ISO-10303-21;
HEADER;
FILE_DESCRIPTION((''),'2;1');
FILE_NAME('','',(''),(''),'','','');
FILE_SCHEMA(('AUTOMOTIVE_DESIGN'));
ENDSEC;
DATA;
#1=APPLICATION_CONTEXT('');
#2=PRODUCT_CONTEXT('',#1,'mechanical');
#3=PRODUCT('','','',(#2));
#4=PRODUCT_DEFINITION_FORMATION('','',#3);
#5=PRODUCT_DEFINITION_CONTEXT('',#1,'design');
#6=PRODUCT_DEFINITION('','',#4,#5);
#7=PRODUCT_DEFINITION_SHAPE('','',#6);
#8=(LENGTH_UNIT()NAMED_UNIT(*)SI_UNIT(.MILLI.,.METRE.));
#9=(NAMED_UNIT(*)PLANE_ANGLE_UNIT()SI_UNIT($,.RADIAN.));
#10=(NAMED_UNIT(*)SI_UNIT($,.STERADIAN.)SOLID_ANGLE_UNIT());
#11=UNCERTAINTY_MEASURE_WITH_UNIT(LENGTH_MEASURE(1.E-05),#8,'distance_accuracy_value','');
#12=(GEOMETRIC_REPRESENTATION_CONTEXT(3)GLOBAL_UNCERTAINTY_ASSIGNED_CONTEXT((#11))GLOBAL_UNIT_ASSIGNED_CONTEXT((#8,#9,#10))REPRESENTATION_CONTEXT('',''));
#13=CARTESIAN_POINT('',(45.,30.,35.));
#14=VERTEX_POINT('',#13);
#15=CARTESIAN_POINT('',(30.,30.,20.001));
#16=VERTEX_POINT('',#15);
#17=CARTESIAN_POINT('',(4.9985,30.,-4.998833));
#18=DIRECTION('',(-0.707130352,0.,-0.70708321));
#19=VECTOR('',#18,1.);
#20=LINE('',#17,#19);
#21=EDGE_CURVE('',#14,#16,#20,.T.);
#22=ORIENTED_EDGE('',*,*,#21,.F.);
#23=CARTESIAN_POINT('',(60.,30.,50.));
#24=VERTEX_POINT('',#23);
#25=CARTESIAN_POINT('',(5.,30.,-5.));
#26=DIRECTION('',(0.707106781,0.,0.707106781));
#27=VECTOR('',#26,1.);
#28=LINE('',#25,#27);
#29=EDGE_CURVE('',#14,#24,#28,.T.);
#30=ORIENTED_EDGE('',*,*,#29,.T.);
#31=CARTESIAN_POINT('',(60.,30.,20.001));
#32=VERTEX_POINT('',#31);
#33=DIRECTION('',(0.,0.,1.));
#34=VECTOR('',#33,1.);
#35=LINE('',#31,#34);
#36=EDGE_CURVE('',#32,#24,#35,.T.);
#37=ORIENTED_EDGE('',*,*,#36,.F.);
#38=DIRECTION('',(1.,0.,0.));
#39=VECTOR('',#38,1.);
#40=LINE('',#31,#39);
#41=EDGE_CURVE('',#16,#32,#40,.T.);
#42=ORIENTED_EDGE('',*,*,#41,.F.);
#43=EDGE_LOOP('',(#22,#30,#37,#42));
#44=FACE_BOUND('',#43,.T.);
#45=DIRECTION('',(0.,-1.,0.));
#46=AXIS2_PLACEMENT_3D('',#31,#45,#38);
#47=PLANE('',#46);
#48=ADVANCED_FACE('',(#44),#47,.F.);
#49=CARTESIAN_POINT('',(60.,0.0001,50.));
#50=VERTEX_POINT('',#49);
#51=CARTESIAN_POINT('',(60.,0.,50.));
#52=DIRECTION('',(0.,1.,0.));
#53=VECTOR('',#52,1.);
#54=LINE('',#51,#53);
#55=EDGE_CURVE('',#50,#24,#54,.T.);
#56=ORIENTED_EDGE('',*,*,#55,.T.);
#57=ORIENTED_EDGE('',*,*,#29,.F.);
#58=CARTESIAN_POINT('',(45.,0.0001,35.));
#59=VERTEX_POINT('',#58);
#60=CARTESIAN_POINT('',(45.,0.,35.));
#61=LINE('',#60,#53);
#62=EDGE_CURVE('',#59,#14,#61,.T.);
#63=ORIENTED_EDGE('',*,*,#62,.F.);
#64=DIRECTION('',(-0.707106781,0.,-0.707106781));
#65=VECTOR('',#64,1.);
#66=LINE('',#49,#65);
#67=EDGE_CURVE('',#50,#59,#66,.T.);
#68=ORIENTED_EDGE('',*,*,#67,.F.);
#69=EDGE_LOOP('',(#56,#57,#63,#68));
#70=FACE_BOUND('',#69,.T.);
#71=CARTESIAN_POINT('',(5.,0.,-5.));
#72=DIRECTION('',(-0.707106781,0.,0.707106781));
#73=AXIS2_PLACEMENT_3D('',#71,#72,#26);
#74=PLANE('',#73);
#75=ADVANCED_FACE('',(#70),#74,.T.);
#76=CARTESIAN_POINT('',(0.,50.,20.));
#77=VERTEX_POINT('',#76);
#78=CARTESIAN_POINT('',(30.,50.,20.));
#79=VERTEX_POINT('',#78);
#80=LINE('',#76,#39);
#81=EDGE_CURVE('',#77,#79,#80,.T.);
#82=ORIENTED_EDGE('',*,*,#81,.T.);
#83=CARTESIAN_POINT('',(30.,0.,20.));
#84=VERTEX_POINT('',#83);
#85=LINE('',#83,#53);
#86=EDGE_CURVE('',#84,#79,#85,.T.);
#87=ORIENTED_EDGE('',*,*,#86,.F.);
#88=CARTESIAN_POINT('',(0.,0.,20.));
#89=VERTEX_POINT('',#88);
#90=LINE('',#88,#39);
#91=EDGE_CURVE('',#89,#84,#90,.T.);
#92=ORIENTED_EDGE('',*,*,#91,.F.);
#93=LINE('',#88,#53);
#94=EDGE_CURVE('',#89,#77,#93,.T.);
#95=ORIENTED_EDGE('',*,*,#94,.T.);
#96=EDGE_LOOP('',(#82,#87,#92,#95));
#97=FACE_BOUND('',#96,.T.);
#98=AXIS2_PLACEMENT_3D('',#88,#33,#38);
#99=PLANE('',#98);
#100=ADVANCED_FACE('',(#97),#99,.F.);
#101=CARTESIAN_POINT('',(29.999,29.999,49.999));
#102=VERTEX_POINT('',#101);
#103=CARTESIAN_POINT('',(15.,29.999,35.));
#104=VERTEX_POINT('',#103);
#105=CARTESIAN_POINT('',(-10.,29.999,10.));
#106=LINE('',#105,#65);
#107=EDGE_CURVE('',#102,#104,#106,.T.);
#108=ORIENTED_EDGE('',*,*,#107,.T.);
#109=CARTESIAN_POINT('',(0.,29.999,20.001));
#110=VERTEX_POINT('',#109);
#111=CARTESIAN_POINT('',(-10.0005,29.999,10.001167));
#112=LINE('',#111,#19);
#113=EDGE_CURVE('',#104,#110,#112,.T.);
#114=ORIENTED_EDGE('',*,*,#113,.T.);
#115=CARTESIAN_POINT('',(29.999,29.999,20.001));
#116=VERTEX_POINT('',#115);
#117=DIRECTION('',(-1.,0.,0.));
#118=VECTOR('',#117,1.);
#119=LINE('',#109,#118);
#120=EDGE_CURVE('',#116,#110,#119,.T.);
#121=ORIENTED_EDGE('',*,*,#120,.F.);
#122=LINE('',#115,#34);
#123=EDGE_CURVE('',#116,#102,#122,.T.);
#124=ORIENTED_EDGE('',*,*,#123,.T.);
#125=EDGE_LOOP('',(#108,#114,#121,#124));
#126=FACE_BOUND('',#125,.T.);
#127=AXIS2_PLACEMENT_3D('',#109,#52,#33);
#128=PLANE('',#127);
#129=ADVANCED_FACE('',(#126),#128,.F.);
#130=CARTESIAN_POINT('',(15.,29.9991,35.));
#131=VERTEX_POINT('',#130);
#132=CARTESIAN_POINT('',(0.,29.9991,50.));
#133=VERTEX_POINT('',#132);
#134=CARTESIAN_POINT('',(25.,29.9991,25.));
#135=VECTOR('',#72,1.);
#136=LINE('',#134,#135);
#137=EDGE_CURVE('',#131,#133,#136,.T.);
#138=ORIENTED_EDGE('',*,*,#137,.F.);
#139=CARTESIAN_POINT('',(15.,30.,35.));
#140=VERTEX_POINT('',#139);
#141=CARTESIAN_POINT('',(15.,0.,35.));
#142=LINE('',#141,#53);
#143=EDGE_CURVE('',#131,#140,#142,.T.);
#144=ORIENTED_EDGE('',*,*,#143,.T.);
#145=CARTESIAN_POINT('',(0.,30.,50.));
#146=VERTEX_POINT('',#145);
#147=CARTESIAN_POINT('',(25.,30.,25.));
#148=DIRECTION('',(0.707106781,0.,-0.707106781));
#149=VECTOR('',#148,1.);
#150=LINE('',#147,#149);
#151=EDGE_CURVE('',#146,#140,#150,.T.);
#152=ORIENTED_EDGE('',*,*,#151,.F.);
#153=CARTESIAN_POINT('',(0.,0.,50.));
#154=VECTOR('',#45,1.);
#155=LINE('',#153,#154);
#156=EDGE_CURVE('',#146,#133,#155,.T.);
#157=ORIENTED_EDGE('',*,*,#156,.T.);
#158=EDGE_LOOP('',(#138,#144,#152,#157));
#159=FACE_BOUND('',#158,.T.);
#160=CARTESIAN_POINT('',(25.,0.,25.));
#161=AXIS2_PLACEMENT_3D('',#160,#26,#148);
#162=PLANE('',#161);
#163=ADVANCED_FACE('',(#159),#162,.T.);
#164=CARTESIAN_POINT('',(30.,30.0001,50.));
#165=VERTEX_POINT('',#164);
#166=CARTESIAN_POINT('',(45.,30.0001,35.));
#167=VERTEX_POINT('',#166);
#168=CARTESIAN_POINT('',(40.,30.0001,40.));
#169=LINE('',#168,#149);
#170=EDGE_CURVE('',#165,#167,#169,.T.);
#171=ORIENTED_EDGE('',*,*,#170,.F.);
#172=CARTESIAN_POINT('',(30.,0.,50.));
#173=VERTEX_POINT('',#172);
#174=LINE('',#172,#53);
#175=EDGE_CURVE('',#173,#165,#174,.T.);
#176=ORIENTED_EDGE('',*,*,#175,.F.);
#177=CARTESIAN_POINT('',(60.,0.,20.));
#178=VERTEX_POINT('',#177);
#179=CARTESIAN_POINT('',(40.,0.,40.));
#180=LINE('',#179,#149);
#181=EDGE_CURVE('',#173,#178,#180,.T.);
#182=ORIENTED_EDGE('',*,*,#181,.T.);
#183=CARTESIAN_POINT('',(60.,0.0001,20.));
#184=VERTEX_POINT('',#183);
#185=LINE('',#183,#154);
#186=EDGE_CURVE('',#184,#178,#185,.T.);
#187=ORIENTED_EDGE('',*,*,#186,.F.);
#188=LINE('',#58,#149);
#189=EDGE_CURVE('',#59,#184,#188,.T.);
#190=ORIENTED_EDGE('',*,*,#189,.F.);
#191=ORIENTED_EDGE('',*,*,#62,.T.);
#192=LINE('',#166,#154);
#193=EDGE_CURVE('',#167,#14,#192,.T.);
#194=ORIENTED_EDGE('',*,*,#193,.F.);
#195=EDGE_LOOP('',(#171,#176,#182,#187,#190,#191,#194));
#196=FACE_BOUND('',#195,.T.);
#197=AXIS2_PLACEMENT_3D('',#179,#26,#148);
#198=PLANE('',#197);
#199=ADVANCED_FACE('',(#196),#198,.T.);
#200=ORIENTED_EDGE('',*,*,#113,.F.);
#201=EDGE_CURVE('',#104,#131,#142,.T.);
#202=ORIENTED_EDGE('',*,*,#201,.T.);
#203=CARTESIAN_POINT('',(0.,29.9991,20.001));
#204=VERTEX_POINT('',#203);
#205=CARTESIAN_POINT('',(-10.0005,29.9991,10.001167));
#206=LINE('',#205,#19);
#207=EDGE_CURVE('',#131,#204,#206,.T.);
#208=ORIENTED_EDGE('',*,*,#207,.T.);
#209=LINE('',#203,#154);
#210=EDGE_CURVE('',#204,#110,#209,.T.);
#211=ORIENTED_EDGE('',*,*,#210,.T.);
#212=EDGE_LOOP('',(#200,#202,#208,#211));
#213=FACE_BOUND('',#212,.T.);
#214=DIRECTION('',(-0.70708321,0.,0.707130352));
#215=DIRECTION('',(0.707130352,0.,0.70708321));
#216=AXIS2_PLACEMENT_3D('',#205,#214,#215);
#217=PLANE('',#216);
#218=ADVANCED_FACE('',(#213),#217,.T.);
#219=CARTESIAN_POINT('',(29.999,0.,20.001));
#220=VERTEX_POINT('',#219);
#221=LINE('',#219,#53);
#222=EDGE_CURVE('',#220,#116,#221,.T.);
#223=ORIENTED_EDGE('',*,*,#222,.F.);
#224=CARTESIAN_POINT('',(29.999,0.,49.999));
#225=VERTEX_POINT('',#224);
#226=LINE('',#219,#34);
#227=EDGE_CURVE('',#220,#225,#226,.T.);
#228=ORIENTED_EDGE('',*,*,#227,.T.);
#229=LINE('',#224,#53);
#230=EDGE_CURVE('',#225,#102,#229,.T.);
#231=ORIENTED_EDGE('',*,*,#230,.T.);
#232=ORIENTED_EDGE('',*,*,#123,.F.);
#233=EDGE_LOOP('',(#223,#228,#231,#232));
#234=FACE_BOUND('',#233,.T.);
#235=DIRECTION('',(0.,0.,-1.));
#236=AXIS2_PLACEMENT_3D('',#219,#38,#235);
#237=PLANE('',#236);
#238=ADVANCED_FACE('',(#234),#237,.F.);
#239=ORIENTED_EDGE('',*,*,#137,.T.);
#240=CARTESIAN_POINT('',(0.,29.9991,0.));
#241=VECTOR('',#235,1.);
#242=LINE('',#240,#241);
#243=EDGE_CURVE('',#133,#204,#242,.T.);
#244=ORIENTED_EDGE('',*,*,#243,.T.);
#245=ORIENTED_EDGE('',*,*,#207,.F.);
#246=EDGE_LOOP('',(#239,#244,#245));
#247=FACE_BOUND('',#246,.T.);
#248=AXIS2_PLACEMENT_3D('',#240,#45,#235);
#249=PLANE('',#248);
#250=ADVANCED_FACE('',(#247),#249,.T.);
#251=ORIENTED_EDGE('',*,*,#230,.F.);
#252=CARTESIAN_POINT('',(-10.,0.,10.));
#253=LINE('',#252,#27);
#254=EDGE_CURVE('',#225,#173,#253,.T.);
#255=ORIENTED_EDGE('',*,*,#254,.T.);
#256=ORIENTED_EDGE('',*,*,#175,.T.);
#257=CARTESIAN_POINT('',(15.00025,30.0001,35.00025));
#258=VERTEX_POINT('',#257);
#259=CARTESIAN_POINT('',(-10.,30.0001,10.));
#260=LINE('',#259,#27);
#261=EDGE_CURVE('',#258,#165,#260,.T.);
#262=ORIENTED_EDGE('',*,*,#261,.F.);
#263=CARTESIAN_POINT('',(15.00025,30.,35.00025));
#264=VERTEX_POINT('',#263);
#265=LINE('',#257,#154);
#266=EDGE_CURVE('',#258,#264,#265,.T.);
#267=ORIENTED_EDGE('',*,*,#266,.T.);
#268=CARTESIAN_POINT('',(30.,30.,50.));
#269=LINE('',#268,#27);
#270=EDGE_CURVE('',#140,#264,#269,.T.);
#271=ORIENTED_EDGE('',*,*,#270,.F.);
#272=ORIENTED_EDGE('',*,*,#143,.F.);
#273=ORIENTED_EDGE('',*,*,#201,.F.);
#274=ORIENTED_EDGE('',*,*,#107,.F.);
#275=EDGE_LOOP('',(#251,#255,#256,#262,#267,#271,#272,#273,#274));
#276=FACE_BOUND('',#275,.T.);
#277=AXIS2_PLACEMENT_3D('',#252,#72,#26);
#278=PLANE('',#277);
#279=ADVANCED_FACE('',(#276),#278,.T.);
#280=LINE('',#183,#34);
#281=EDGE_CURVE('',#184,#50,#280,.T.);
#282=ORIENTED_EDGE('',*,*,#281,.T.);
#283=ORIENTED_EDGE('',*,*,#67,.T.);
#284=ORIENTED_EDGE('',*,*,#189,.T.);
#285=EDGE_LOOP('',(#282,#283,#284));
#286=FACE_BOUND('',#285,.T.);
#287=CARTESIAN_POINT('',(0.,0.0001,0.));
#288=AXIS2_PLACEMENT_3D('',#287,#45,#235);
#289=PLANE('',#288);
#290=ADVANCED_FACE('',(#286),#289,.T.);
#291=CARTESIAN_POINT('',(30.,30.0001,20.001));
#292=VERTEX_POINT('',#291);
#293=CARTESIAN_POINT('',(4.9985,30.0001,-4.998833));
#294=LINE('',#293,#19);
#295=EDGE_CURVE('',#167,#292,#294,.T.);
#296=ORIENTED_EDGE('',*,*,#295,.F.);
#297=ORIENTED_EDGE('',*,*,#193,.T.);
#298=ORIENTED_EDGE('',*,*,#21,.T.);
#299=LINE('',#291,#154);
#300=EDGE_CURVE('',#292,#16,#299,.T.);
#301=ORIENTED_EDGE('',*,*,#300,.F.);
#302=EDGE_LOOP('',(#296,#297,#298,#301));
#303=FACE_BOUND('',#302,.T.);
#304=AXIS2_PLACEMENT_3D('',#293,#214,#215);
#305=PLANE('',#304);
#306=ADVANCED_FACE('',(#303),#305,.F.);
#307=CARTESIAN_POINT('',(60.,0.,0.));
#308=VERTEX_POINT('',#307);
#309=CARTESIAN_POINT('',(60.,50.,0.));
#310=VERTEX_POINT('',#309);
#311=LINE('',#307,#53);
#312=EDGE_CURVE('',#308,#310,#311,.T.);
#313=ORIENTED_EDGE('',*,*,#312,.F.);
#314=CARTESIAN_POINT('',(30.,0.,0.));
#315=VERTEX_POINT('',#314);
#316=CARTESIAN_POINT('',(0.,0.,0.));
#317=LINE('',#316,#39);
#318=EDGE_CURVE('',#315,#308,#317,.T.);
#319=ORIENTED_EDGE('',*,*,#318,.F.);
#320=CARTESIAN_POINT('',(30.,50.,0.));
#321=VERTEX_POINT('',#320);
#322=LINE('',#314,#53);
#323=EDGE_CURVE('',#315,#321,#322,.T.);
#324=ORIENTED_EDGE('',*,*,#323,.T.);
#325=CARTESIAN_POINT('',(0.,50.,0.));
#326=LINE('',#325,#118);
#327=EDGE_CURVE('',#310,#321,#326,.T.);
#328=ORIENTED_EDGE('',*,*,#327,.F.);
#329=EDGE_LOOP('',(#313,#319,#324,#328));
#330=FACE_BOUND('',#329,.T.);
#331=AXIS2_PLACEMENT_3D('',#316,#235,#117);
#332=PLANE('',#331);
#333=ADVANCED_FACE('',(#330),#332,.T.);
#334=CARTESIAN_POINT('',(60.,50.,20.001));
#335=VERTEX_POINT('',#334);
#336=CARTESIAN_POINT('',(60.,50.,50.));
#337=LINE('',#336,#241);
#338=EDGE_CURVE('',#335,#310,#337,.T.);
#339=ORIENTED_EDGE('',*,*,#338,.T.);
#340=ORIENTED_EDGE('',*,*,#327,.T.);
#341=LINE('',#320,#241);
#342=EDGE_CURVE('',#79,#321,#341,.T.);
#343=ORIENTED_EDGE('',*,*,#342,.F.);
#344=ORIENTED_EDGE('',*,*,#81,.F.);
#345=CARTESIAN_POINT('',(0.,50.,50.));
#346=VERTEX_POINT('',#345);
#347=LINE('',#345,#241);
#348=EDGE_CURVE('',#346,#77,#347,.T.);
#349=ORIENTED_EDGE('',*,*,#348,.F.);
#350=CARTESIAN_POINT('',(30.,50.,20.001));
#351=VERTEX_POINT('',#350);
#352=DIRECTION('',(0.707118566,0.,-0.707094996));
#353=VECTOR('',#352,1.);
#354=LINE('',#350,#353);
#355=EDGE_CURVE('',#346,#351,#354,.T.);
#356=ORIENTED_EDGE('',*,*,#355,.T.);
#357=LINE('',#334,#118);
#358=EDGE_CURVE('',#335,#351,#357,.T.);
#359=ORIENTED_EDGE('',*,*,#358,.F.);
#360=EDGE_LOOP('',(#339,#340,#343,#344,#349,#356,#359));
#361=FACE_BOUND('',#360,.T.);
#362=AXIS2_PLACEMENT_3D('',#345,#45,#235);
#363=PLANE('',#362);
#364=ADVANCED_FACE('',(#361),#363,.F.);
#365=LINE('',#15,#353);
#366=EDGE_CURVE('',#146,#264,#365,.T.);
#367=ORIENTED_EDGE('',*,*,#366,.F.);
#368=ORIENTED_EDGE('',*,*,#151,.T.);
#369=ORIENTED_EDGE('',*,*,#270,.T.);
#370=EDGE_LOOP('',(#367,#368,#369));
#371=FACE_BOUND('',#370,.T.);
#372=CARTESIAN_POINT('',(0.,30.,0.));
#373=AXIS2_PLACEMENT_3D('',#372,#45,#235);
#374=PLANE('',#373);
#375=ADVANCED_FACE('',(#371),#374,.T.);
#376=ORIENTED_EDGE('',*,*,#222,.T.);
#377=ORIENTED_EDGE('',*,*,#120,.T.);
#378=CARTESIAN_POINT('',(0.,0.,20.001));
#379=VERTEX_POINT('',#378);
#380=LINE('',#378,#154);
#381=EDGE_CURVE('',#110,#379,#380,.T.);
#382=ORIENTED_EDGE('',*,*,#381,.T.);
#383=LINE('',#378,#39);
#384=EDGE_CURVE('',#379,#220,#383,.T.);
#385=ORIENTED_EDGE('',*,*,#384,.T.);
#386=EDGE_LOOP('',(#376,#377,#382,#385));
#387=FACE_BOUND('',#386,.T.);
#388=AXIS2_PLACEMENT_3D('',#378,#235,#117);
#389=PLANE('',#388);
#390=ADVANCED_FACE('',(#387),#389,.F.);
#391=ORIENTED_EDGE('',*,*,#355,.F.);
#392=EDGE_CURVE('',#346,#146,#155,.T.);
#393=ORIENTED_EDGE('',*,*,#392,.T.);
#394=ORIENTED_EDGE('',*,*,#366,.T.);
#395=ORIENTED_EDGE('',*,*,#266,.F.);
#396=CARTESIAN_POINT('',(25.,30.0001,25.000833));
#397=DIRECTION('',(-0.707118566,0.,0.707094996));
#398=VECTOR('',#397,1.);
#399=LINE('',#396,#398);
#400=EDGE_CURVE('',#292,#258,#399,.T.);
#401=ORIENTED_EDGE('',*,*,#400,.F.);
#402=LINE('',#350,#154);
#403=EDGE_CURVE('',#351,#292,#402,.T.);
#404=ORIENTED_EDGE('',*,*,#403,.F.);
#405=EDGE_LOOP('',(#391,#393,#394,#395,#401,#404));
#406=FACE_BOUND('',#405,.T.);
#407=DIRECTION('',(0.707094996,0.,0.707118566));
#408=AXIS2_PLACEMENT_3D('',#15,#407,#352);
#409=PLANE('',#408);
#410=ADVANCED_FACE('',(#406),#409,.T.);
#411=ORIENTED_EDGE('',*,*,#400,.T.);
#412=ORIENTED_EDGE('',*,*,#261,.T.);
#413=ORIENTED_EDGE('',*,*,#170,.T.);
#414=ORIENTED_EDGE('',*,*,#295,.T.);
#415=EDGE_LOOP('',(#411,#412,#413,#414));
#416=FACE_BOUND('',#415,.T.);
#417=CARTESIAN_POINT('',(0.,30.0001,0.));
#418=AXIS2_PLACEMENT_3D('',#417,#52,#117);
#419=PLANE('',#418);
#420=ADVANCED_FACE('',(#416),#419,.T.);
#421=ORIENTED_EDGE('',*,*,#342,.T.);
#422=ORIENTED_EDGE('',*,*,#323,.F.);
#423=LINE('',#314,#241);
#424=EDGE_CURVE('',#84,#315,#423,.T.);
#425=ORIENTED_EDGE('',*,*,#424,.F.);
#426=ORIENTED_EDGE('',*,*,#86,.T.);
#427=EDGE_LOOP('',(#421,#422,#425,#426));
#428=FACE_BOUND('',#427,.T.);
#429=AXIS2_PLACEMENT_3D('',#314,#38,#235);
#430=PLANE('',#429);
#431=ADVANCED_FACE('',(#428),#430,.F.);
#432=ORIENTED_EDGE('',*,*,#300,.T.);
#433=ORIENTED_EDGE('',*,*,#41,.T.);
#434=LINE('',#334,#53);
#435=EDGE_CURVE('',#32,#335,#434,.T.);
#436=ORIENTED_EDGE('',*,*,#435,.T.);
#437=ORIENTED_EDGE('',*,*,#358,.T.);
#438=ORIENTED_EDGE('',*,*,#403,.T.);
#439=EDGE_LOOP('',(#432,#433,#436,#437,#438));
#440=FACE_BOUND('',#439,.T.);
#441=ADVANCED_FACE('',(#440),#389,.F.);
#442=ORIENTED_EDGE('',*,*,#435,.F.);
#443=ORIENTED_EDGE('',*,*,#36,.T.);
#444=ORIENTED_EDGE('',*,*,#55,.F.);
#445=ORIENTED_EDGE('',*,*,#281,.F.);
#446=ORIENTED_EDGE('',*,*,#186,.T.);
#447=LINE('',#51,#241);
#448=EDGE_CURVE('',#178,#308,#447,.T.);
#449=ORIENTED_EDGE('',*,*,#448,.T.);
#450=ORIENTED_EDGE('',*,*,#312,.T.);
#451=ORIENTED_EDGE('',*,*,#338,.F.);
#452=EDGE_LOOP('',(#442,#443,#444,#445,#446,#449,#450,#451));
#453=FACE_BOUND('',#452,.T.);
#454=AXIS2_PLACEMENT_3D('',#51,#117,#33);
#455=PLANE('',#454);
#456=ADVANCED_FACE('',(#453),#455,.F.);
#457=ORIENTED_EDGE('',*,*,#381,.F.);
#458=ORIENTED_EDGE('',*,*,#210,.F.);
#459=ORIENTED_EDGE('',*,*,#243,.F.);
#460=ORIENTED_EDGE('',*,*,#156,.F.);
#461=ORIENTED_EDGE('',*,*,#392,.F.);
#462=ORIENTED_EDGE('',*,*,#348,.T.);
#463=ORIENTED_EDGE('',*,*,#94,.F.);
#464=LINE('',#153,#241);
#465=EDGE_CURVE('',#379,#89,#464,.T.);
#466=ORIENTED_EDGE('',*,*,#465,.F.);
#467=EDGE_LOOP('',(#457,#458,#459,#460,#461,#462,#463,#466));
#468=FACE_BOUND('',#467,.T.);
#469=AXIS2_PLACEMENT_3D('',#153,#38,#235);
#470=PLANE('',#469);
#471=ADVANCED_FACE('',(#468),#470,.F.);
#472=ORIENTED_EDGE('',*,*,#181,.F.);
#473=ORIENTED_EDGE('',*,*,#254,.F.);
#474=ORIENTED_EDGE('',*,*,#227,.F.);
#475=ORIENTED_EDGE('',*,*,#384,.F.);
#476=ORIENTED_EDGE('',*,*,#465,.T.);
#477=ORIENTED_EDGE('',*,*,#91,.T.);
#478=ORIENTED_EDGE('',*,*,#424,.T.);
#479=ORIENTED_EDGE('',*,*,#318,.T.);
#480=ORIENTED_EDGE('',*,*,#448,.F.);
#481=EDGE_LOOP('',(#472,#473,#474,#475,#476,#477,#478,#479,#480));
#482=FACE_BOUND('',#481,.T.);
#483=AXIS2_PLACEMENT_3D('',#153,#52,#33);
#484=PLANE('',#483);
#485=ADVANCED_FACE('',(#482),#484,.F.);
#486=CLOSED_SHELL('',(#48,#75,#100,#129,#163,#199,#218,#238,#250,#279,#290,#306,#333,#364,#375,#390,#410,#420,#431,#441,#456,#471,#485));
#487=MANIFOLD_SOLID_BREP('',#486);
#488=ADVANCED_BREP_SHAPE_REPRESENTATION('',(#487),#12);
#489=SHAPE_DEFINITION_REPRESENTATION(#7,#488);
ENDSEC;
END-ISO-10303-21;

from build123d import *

# Parameters (mm, degrees)
SKETCH1_W            = 60
SKETCH1_H            = 50
BOSS_EXTRUDE1_DEPTH  = 50
SKETCH2_W            = 30
SKETCH2_H            = 20
CUT_EXTRUDE1_DEPTH   = 50
CUT_EXTRUDE2_DEPTH   = 50
SKETCH5_W            = 30
SKETCH5_H            = 20
CUT_EXTRUDE6_DEPTH   = 29.999
SKETCH7_W            = 29.999
SKETCH7_H            = 29.999
CUT_EXTRUDE10_DEPTH  = 29.999
CUT_EXTRUDE11_DEPTH  = 20
BOSS_EXTRUDE5_DEPTH  = 20
CUT_EXTRUDE17_DEPTH  = 0.0001
CUT_EXTRUDE18_DEPTH  = 0.0001
BOSS_EXTRUDE16_DEPTH = 0.0001


with BuildPart() as part:
    # Sketch1 → Boss-Extrude1 (new body)
    with BuildSketch(Plane.XY):
        with Locations((30, 25)):
            Rectangle(SKETCH1_W, SKETCH1_H)
    extrude(amount=BOSS_EXTRUDE1_DEPTH)

    # Sketch2 → Cut-Extrude1 (cut)
    with BuildSketch(Plane(origin=(0, 50, 0), x_dir=(1, 0, 0), z_dir=(0, 1, 0))):
        with Locations((15, -10)):
            Rectangle(SKETCH2_W, SKETCH2_H)
    extrude(amount=-CUT_EXTRUDE1_DEPTH, mode=Mode.SUBTRACT)

    # Sketch3 → Cut-Extrude2 (cut)
    with BuildSketch(Plane(origin=(0, 50, 0), x_dir=(1, 0, 0), z_dir=(0, 1, 0))):
        Polygon((15, -35), (0, -50), (30, -50), align=None)
        Polygon((45, -35), (30, -50), (60, -50), align=None)
    extrude(amount=-CUT_EXTRUDE2_DEPTH, mode=Mode.SUBTRACT)

    # Sketch5 → Cut-Extrude6 (cut)
    with BuildSketch(Plane.XY.offset(50)):
        with Locations((45, 40)):
            Rectangle(SKETCH5_W, SKETCH5_H)
    extrude(amount=-CUT_EXTRUDE6_DEPTH, mode=Mode.SUBTRACT)

    # Sketch7 → Cut-Extrude10 (cut)
    with BuildSketch(Plane.XY.offset(50)):
        with Locations((14.9995, 14.9995)):
            Rectangle(SKETCH7_W, SKETCH7_H)
    extrude(amount=-CUT_EXTRUDE10_DEPTH, mode=Mode.SUBTRACT)

    # Sketch8 → Cut-Extrude11 (cut)
    with BuildSketch(Plane(origin=(0, 50, 0), x_dir=(1, 0, 0), z_dir=(0, 1, 0))):
        Polygon((15, -35), (30, -20.001), (44.999, -35.001), (30, -50), align=None)
    extrude(amount=-CUT_EXTRUDE11_DEPTH, mode=Mode.SUBTRACT)

    # Sketch11 → Boss-Extrude5 (add)
    with BuildSketch(Plane(origin=(0, 50, 0), x_dir=(1, 0, 0), z_dir=(0, 1, 0))):
        Polygon((0, -50), (0, -20), (30, -20.001), align=None)
    extrude(amount=-BOSS_EXTRUDE5_DEPTH)

    # Sketch14 → Cut-Extrude17 (cut)
    with BuildSketch(Plane(origin=(0, 29.999, 0), x_dir=(-1, 0, 0), z_dir=(0, -1, 0))):
        Polygon((-15, -35), (0, -20.001), (0, -50), align=None)
    extrude(amount=-CUT_EXTRUDE17_DEPTH, mode=Mode.SUBTRACT)

    # Sketch15 → Cut-Extrude18 (cut)
    with BuildSketch(Plane(origin=(0, 0, 0), x_dir=(-1, 0, 0), z_dir=(0, -1, 0))):
        Polygon((-45, -35), (-60, -20), (-60, -50), align=None)
    extrude(amount=-CUT_EXTRUDE18_DEPTH, mode=Mode.SUBTRACT)

    # Sketch16 → Boss-Extrude16 (add)
    with BuildSketch(Plane(origin=(0, 30, 0), x_dir=(1, 0, 0), z_dir=(0, 1, 0))):
        Polygon((45, -35), (30, -20.001), (15.000250004, -35.000250004), (30, -50), align=None)
    extrude(amount=BOSS_EXTRUDE16_DEPTH)


solid = part.part
